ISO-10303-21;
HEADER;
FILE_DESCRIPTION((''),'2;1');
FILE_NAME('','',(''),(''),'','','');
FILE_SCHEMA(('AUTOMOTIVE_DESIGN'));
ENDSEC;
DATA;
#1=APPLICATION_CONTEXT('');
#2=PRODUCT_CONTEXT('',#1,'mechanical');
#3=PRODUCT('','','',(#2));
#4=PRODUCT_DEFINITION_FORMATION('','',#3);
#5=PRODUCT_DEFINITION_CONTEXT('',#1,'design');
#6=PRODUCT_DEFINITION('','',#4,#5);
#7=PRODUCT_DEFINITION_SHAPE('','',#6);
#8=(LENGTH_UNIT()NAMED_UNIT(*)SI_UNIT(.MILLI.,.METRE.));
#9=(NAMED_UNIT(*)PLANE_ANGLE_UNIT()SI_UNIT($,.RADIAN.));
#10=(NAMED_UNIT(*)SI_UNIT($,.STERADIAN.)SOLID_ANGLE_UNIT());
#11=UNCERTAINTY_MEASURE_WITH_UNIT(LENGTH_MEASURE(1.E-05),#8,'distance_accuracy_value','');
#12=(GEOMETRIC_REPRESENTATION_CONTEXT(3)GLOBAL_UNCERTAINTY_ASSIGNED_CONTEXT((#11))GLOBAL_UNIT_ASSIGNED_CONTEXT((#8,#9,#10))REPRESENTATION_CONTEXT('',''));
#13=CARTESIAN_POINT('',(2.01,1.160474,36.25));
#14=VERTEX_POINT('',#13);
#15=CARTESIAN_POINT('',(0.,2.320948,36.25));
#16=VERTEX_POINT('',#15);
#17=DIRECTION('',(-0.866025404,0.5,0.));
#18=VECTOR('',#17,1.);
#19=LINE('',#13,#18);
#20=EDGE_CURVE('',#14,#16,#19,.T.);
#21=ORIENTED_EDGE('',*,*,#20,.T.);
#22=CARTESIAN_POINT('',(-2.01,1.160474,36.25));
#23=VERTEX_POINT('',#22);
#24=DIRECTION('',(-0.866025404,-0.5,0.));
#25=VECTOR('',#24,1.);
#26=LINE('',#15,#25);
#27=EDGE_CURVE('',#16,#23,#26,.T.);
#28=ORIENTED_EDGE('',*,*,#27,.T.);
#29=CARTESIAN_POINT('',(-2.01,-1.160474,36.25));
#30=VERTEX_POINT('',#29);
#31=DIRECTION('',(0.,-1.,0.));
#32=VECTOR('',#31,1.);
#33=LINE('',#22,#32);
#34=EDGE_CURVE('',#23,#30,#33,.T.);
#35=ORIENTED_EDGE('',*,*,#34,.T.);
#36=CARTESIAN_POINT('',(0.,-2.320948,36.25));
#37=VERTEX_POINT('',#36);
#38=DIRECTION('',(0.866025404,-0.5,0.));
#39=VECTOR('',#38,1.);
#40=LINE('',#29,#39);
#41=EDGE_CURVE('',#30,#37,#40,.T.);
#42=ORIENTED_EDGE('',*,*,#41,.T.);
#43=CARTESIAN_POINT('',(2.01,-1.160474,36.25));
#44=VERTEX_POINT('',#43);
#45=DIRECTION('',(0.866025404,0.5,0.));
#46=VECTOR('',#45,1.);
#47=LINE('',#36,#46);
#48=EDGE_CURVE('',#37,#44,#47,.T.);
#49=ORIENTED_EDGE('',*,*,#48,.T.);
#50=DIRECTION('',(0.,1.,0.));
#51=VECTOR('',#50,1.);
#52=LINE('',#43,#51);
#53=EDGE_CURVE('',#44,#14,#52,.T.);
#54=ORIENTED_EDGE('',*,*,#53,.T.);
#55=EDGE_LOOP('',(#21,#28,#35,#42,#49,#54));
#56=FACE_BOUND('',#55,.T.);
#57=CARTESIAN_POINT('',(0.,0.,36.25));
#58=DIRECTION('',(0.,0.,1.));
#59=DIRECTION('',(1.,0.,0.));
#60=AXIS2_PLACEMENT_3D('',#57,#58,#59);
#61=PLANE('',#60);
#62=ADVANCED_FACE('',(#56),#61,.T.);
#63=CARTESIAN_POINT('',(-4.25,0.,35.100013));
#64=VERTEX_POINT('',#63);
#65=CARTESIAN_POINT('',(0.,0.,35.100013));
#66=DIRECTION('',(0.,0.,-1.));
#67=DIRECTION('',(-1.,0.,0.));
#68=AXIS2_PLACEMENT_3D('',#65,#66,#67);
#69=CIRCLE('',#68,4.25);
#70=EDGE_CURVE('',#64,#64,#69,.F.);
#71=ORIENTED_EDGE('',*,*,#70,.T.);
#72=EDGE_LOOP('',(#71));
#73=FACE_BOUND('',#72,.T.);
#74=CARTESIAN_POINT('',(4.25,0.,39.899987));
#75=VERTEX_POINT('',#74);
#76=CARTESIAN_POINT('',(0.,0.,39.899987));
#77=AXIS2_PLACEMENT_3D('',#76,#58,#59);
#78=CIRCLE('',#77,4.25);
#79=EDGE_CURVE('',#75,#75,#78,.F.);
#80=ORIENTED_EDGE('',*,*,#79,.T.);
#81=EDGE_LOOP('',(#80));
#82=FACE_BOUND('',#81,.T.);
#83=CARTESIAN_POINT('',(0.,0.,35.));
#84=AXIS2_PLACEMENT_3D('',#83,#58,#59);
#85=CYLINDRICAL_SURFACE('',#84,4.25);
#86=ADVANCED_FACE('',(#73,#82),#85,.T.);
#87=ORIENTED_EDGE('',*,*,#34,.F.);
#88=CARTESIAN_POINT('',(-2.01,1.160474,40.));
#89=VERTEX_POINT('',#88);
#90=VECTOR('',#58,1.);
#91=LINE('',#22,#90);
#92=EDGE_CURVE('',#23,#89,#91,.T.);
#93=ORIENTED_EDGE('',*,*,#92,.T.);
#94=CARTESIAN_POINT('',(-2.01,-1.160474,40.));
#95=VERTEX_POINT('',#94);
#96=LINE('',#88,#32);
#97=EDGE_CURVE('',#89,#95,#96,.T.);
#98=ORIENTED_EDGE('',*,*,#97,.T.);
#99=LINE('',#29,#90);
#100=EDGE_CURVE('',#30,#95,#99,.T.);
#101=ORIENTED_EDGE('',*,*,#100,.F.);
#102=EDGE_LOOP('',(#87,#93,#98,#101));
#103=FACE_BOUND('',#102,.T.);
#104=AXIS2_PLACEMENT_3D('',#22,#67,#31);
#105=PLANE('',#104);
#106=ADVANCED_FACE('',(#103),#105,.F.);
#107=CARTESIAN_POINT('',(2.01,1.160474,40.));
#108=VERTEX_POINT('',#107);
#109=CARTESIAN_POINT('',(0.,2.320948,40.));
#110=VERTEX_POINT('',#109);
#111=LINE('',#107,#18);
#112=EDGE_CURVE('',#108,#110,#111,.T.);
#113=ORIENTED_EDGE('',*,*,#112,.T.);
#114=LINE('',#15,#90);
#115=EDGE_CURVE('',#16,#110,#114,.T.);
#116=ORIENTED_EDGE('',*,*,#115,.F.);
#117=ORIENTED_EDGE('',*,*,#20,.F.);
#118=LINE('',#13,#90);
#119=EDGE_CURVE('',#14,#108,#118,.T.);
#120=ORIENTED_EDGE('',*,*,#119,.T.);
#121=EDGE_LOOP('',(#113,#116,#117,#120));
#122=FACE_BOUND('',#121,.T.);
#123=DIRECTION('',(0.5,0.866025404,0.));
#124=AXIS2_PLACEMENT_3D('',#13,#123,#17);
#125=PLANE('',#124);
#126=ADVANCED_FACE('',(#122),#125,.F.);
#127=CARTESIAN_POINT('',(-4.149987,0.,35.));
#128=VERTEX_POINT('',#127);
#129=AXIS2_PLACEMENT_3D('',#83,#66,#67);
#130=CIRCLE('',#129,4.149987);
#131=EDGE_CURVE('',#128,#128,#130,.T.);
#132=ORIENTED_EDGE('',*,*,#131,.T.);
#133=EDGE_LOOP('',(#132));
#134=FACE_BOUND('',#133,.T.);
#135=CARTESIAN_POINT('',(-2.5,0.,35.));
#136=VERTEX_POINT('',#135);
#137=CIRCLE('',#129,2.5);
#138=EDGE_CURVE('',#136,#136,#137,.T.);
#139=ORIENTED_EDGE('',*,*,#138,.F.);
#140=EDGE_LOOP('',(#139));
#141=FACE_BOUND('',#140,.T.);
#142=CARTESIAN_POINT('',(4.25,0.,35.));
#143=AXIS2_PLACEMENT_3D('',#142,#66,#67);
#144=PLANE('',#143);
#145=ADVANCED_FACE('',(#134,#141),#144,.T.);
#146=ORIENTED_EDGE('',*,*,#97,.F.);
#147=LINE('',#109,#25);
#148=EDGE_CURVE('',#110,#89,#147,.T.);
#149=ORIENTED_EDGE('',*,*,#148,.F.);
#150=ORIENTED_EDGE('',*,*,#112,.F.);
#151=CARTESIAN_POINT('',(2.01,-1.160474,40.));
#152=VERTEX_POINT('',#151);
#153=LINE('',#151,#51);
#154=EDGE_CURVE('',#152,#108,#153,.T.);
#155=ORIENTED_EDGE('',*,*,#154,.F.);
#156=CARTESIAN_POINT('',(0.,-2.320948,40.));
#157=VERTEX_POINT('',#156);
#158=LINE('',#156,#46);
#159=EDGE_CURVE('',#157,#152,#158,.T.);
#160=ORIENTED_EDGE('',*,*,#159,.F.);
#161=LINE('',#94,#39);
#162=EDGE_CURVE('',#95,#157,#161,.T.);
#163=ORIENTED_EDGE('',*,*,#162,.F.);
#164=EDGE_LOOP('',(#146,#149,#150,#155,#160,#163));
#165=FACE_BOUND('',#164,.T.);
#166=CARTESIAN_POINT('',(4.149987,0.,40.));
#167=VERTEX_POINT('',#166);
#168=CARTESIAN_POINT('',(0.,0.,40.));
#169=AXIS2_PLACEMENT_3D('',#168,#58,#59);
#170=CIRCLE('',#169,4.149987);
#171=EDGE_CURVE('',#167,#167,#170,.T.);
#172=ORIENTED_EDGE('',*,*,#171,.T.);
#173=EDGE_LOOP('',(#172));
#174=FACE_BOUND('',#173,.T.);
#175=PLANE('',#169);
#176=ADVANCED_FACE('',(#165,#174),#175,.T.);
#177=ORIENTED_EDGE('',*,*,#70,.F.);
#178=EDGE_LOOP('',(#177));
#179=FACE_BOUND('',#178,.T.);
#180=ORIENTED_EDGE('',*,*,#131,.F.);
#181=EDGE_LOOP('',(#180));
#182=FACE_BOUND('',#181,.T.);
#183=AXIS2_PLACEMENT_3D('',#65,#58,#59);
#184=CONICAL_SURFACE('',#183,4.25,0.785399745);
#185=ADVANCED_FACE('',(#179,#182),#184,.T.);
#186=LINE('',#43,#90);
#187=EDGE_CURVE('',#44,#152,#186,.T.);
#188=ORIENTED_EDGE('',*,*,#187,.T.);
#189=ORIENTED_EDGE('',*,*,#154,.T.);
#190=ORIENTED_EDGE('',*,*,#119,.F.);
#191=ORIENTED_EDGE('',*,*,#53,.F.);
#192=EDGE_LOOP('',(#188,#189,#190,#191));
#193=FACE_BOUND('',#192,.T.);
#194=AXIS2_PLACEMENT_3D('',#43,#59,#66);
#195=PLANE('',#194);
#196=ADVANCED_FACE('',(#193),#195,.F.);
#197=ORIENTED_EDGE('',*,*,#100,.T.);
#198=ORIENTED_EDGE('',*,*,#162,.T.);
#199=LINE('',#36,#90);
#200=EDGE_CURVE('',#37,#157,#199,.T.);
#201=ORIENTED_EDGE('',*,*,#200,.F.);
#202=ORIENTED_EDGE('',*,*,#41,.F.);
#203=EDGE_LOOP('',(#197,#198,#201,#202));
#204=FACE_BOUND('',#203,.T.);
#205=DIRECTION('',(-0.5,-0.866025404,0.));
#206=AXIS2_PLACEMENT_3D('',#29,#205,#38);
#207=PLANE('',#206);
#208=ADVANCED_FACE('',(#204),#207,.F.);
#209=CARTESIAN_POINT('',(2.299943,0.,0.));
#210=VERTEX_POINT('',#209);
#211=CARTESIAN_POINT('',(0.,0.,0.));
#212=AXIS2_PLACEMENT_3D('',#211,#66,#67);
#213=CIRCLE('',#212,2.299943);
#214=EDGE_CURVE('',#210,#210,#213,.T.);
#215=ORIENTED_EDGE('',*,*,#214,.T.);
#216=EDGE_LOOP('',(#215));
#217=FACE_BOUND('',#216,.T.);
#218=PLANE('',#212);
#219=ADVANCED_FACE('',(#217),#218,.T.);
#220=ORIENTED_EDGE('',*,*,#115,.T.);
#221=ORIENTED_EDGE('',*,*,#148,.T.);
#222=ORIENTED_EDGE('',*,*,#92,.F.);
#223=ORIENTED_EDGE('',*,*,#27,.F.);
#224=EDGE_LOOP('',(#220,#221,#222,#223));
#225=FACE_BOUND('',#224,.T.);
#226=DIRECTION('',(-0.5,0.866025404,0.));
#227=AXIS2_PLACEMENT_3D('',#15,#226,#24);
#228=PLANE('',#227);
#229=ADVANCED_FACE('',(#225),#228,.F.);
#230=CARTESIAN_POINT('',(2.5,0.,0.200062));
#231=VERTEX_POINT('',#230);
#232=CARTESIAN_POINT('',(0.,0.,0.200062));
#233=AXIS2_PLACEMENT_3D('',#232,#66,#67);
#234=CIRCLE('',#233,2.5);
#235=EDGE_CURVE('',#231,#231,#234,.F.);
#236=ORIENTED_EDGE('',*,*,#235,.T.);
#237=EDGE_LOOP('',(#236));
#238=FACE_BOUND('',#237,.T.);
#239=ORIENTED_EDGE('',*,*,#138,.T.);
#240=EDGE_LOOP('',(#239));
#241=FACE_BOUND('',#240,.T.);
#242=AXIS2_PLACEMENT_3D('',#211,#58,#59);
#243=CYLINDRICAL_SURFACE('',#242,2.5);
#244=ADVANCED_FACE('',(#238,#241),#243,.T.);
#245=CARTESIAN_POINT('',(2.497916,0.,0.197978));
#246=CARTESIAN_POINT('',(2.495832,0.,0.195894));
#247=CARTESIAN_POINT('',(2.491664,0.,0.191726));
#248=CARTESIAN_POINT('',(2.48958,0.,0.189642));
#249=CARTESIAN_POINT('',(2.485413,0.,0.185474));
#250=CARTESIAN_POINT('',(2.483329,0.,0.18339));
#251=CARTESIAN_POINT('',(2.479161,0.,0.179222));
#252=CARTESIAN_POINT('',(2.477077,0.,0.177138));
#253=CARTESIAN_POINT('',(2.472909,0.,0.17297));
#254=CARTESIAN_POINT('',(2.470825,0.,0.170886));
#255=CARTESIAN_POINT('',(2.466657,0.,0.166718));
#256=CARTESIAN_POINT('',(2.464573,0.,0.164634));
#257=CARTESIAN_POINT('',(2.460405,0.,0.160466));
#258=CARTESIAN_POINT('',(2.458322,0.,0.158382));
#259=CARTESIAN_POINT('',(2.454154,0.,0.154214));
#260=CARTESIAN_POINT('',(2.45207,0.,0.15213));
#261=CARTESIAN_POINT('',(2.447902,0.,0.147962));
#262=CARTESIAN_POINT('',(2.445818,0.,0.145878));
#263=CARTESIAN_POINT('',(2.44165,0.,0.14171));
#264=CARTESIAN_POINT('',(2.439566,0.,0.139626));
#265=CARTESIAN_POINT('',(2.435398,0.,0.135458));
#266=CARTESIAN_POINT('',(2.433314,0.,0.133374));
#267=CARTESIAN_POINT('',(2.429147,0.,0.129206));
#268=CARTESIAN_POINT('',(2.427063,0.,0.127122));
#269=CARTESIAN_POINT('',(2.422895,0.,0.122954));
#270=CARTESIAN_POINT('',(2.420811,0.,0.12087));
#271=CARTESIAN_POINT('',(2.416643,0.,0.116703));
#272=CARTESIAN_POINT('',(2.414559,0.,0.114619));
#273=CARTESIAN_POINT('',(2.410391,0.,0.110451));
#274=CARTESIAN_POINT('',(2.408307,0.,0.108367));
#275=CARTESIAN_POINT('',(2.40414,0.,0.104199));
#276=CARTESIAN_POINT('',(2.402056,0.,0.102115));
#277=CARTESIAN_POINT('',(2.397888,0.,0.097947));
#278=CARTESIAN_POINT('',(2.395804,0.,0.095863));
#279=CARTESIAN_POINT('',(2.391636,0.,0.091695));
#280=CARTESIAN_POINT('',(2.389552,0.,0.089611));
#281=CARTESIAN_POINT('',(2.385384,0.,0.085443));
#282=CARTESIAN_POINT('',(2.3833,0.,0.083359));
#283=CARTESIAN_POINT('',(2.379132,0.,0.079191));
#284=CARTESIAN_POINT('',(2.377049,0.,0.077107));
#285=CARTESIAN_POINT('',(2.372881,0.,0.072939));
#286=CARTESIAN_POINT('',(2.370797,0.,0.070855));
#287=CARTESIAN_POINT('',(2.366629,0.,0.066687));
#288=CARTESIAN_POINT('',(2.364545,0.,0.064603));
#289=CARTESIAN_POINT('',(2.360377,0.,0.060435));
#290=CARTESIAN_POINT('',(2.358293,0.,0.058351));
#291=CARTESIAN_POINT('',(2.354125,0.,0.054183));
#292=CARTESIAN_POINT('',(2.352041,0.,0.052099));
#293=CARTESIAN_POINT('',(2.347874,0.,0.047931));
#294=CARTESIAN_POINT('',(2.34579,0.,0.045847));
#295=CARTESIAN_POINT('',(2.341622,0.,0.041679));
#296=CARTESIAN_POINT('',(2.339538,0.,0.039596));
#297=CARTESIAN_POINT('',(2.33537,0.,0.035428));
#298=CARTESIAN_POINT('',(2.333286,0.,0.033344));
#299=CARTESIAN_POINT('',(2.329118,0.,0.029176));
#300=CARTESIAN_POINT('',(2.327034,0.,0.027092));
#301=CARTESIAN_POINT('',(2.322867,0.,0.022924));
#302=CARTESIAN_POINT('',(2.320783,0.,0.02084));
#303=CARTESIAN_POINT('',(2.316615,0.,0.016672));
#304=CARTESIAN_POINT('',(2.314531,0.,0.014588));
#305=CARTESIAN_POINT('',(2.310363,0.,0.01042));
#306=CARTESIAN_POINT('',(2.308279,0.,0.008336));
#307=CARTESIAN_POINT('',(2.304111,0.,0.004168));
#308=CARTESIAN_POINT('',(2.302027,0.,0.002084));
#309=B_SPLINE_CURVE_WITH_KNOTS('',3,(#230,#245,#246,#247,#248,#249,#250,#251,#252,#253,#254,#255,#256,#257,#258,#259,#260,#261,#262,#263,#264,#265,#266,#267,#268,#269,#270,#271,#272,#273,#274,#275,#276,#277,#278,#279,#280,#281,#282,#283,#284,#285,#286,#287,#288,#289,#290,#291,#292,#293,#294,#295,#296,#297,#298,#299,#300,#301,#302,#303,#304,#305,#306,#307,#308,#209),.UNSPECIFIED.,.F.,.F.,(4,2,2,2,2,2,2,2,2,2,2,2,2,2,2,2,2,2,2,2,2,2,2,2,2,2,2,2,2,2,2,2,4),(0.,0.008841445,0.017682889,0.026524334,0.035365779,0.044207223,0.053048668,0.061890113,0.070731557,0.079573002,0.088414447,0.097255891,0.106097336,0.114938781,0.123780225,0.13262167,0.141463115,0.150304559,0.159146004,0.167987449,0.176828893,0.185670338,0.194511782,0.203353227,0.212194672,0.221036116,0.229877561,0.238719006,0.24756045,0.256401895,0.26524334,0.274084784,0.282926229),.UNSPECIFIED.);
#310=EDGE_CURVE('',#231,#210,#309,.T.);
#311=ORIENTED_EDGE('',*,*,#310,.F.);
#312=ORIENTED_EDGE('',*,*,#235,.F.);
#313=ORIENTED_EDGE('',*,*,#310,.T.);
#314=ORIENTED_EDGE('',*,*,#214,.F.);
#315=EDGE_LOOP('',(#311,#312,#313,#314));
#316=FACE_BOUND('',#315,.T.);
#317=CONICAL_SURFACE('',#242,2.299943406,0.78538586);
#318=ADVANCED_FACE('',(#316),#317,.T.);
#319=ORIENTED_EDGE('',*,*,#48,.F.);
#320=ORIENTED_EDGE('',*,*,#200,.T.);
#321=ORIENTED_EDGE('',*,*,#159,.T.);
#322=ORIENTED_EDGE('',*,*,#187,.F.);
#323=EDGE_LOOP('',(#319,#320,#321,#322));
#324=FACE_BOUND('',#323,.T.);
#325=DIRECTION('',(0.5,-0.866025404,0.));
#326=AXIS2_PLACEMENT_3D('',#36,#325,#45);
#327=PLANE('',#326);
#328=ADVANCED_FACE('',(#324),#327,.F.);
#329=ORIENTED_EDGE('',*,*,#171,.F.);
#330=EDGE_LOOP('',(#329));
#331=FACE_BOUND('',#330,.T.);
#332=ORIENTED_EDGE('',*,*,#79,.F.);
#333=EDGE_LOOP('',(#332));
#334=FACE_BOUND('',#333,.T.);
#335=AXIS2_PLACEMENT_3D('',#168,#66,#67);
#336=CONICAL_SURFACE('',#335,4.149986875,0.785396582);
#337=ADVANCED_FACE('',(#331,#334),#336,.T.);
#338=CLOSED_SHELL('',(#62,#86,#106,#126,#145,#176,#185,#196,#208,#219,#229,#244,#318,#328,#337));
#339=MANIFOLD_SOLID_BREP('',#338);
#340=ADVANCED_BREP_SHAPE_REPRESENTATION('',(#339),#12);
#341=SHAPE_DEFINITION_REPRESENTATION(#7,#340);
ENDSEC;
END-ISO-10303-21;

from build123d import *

# Parameters (mm, degrees)
SKETCH_1_W          = 4.25
SKETCH_1_H          = 5
SKETCH_2_R          = 2.5
EXTRUDE_1_DEPTH     = 35
CUT_EXTRUDE_1_DEPTH = 3.75
CHAMFER_1_SIZE2     = 0.100013441
CHAMFER_1_SIZE      = 0.100013125
CHAMFER_2_SIZE      = 0.200056594
CHAMFER_2_SIZE2     = 0.200061517


with BuildPart() as part:
    # 草图1 → 旋转1 (revolve)
    with BuildSketch(Plane(origin=(0, 0, 0), x_dir=(1, 0, 0), z_dir=(0, 1, 0))):
        with Locations((2.125, -37.5)):
            Rectangle(SKETCH_1_W, SKETCH_1_H)
    revolve(axis=Axis((0, 0, 35), (0, 0, 1)))

    # 草图2 → 凸台-拉伸1 (add)
    with BuildSketch(Plane(origin=(0, 0, 35), x_dir=(-1, 0, 0), z_dir=(0, 0, -1))):
        Circle(SKETCH_2_R)
    extrude(amount=EXTRUDE_1_DEPTH)

    # 草图3 → 切除-拉伸1 (cut)
    with BuildSketch(Plane.XY.offset(40)):
        Polygon((-2.01, -1.160474041), (0, -2.320948082), (2.01, -1.160474041), (2.01, 1.160474041), (0, 2.320948082), (-2.01, 1.160474041), align=None)
    extrude(amount=-CUT_EXTRUDE_1_DEPTH, mode=Mode.SUBTRACT)

    # 倒角1
    chamfer_1_edges = [part.edges().sort_by_distance(p)[0] for p in [
        (-4.25, 0, 40),
        (-4.25, 0, 35),
    ]]
    chamfer(chamfer_1_edges, length=CHAMFER_1_SIZE, length2=CHAMFER_1_SIZE2)

    # 倒角2
    chamfer_2_edges = [part.edges().sort_by_distance(p)[0] for p in [
        (2.5, 0, 0),
    ]]
    chamfer_2_side = [part.faces().sort_by_distance(p)[0] for p in [
        (2.5, 0, 17.5),
    ]]
    chamfer(chamfer_2_edges, length=CHAMFER_2_SIZE, length2=CHAMFER_2_SIZE2, reference=chamfer_2_side[0])


solid = part.part
